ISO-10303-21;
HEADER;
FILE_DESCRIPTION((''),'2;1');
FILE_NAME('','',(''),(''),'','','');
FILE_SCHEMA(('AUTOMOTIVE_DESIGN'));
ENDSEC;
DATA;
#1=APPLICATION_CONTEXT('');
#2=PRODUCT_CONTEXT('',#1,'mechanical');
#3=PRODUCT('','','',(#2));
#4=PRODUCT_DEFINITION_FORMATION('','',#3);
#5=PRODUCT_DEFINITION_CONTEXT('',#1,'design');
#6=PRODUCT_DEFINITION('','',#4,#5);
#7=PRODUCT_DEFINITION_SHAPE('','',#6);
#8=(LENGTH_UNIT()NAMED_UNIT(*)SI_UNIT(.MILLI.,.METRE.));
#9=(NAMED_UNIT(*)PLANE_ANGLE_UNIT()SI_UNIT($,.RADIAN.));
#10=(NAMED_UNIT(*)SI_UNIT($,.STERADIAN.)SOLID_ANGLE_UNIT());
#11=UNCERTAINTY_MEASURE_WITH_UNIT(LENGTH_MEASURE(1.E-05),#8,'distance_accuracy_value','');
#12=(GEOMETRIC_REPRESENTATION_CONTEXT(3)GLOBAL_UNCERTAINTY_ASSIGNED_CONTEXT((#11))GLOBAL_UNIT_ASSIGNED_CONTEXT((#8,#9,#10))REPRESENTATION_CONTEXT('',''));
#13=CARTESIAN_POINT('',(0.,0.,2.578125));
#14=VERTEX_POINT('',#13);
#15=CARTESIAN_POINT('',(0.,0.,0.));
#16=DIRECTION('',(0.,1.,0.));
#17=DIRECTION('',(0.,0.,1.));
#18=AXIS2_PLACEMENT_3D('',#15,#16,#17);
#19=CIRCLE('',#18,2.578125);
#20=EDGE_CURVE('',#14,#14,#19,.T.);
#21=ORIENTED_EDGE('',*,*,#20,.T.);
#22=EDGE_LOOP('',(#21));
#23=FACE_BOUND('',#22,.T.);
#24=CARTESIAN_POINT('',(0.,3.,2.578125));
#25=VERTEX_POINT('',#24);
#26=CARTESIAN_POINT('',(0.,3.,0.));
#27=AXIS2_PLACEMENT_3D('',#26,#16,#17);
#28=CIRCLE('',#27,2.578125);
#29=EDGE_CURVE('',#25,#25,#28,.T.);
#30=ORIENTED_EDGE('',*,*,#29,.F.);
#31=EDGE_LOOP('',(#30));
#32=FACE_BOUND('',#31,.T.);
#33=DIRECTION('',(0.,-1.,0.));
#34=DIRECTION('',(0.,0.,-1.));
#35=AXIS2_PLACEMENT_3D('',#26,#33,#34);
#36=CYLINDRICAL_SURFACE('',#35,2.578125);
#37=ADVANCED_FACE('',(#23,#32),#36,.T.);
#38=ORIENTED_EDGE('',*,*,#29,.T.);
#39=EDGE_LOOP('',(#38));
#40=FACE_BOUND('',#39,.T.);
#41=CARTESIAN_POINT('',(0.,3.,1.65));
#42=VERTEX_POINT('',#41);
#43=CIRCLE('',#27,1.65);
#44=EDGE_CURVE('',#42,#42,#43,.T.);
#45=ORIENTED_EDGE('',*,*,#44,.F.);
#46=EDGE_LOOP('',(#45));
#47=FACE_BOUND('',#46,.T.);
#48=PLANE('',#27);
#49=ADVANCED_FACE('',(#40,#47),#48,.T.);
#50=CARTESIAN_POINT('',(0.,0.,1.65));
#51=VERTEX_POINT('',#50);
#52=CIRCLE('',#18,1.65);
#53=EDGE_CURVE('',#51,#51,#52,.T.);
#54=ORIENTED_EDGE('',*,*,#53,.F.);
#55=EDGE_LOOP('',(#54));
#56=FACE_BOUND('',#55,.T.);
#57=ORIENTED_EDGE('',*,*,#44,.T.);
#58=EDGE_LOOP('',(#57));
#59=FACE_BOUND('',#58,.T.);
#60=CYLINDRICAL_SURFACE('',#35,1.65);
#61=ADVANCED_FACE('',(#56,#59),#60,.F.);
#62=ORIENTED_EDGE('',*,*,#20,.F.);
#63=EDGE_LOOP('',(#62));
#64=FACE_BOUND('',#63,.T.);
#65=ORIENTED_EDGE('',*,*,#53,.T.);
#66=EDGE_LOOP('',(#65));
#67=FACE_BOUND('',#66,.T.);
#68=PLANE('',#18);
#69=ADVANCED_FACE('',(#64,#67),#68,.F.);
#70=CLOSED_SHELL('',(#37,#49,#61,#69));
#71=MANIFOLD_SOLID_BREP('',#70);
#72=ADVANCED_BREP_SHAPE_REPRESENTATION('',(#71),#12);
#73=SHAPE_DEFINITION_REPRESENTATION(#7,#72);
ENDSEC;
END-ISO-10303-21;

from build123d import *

# Parameters (mm, degrees)
SKETCH_1_R      = 2.578125
SKETCH_1_R_2    = 1.65
EXTRUDE_1_DEPTH = 3


with BuildPart() as part:
    # 草图1 → 凸台-拉伸1 (new body)
    with BuildSketch(Plane(origin=(0, 0, 0), x_dir=(1, 0, 0), z_dir=(0, 1, 0))):
        with Locations(Location((0, 0, 0), (0, 0, 270))):
            Circle(SKETCH_1_R)
        with Locations(Location((0, 0, 0), (0, 0, 270))):
            Circle(SKETCH_1_R_2, mode=Mode.SUBTRACT)
    extrude(amount=EXTRUDE_1_DEPTH)


solid = part.part
